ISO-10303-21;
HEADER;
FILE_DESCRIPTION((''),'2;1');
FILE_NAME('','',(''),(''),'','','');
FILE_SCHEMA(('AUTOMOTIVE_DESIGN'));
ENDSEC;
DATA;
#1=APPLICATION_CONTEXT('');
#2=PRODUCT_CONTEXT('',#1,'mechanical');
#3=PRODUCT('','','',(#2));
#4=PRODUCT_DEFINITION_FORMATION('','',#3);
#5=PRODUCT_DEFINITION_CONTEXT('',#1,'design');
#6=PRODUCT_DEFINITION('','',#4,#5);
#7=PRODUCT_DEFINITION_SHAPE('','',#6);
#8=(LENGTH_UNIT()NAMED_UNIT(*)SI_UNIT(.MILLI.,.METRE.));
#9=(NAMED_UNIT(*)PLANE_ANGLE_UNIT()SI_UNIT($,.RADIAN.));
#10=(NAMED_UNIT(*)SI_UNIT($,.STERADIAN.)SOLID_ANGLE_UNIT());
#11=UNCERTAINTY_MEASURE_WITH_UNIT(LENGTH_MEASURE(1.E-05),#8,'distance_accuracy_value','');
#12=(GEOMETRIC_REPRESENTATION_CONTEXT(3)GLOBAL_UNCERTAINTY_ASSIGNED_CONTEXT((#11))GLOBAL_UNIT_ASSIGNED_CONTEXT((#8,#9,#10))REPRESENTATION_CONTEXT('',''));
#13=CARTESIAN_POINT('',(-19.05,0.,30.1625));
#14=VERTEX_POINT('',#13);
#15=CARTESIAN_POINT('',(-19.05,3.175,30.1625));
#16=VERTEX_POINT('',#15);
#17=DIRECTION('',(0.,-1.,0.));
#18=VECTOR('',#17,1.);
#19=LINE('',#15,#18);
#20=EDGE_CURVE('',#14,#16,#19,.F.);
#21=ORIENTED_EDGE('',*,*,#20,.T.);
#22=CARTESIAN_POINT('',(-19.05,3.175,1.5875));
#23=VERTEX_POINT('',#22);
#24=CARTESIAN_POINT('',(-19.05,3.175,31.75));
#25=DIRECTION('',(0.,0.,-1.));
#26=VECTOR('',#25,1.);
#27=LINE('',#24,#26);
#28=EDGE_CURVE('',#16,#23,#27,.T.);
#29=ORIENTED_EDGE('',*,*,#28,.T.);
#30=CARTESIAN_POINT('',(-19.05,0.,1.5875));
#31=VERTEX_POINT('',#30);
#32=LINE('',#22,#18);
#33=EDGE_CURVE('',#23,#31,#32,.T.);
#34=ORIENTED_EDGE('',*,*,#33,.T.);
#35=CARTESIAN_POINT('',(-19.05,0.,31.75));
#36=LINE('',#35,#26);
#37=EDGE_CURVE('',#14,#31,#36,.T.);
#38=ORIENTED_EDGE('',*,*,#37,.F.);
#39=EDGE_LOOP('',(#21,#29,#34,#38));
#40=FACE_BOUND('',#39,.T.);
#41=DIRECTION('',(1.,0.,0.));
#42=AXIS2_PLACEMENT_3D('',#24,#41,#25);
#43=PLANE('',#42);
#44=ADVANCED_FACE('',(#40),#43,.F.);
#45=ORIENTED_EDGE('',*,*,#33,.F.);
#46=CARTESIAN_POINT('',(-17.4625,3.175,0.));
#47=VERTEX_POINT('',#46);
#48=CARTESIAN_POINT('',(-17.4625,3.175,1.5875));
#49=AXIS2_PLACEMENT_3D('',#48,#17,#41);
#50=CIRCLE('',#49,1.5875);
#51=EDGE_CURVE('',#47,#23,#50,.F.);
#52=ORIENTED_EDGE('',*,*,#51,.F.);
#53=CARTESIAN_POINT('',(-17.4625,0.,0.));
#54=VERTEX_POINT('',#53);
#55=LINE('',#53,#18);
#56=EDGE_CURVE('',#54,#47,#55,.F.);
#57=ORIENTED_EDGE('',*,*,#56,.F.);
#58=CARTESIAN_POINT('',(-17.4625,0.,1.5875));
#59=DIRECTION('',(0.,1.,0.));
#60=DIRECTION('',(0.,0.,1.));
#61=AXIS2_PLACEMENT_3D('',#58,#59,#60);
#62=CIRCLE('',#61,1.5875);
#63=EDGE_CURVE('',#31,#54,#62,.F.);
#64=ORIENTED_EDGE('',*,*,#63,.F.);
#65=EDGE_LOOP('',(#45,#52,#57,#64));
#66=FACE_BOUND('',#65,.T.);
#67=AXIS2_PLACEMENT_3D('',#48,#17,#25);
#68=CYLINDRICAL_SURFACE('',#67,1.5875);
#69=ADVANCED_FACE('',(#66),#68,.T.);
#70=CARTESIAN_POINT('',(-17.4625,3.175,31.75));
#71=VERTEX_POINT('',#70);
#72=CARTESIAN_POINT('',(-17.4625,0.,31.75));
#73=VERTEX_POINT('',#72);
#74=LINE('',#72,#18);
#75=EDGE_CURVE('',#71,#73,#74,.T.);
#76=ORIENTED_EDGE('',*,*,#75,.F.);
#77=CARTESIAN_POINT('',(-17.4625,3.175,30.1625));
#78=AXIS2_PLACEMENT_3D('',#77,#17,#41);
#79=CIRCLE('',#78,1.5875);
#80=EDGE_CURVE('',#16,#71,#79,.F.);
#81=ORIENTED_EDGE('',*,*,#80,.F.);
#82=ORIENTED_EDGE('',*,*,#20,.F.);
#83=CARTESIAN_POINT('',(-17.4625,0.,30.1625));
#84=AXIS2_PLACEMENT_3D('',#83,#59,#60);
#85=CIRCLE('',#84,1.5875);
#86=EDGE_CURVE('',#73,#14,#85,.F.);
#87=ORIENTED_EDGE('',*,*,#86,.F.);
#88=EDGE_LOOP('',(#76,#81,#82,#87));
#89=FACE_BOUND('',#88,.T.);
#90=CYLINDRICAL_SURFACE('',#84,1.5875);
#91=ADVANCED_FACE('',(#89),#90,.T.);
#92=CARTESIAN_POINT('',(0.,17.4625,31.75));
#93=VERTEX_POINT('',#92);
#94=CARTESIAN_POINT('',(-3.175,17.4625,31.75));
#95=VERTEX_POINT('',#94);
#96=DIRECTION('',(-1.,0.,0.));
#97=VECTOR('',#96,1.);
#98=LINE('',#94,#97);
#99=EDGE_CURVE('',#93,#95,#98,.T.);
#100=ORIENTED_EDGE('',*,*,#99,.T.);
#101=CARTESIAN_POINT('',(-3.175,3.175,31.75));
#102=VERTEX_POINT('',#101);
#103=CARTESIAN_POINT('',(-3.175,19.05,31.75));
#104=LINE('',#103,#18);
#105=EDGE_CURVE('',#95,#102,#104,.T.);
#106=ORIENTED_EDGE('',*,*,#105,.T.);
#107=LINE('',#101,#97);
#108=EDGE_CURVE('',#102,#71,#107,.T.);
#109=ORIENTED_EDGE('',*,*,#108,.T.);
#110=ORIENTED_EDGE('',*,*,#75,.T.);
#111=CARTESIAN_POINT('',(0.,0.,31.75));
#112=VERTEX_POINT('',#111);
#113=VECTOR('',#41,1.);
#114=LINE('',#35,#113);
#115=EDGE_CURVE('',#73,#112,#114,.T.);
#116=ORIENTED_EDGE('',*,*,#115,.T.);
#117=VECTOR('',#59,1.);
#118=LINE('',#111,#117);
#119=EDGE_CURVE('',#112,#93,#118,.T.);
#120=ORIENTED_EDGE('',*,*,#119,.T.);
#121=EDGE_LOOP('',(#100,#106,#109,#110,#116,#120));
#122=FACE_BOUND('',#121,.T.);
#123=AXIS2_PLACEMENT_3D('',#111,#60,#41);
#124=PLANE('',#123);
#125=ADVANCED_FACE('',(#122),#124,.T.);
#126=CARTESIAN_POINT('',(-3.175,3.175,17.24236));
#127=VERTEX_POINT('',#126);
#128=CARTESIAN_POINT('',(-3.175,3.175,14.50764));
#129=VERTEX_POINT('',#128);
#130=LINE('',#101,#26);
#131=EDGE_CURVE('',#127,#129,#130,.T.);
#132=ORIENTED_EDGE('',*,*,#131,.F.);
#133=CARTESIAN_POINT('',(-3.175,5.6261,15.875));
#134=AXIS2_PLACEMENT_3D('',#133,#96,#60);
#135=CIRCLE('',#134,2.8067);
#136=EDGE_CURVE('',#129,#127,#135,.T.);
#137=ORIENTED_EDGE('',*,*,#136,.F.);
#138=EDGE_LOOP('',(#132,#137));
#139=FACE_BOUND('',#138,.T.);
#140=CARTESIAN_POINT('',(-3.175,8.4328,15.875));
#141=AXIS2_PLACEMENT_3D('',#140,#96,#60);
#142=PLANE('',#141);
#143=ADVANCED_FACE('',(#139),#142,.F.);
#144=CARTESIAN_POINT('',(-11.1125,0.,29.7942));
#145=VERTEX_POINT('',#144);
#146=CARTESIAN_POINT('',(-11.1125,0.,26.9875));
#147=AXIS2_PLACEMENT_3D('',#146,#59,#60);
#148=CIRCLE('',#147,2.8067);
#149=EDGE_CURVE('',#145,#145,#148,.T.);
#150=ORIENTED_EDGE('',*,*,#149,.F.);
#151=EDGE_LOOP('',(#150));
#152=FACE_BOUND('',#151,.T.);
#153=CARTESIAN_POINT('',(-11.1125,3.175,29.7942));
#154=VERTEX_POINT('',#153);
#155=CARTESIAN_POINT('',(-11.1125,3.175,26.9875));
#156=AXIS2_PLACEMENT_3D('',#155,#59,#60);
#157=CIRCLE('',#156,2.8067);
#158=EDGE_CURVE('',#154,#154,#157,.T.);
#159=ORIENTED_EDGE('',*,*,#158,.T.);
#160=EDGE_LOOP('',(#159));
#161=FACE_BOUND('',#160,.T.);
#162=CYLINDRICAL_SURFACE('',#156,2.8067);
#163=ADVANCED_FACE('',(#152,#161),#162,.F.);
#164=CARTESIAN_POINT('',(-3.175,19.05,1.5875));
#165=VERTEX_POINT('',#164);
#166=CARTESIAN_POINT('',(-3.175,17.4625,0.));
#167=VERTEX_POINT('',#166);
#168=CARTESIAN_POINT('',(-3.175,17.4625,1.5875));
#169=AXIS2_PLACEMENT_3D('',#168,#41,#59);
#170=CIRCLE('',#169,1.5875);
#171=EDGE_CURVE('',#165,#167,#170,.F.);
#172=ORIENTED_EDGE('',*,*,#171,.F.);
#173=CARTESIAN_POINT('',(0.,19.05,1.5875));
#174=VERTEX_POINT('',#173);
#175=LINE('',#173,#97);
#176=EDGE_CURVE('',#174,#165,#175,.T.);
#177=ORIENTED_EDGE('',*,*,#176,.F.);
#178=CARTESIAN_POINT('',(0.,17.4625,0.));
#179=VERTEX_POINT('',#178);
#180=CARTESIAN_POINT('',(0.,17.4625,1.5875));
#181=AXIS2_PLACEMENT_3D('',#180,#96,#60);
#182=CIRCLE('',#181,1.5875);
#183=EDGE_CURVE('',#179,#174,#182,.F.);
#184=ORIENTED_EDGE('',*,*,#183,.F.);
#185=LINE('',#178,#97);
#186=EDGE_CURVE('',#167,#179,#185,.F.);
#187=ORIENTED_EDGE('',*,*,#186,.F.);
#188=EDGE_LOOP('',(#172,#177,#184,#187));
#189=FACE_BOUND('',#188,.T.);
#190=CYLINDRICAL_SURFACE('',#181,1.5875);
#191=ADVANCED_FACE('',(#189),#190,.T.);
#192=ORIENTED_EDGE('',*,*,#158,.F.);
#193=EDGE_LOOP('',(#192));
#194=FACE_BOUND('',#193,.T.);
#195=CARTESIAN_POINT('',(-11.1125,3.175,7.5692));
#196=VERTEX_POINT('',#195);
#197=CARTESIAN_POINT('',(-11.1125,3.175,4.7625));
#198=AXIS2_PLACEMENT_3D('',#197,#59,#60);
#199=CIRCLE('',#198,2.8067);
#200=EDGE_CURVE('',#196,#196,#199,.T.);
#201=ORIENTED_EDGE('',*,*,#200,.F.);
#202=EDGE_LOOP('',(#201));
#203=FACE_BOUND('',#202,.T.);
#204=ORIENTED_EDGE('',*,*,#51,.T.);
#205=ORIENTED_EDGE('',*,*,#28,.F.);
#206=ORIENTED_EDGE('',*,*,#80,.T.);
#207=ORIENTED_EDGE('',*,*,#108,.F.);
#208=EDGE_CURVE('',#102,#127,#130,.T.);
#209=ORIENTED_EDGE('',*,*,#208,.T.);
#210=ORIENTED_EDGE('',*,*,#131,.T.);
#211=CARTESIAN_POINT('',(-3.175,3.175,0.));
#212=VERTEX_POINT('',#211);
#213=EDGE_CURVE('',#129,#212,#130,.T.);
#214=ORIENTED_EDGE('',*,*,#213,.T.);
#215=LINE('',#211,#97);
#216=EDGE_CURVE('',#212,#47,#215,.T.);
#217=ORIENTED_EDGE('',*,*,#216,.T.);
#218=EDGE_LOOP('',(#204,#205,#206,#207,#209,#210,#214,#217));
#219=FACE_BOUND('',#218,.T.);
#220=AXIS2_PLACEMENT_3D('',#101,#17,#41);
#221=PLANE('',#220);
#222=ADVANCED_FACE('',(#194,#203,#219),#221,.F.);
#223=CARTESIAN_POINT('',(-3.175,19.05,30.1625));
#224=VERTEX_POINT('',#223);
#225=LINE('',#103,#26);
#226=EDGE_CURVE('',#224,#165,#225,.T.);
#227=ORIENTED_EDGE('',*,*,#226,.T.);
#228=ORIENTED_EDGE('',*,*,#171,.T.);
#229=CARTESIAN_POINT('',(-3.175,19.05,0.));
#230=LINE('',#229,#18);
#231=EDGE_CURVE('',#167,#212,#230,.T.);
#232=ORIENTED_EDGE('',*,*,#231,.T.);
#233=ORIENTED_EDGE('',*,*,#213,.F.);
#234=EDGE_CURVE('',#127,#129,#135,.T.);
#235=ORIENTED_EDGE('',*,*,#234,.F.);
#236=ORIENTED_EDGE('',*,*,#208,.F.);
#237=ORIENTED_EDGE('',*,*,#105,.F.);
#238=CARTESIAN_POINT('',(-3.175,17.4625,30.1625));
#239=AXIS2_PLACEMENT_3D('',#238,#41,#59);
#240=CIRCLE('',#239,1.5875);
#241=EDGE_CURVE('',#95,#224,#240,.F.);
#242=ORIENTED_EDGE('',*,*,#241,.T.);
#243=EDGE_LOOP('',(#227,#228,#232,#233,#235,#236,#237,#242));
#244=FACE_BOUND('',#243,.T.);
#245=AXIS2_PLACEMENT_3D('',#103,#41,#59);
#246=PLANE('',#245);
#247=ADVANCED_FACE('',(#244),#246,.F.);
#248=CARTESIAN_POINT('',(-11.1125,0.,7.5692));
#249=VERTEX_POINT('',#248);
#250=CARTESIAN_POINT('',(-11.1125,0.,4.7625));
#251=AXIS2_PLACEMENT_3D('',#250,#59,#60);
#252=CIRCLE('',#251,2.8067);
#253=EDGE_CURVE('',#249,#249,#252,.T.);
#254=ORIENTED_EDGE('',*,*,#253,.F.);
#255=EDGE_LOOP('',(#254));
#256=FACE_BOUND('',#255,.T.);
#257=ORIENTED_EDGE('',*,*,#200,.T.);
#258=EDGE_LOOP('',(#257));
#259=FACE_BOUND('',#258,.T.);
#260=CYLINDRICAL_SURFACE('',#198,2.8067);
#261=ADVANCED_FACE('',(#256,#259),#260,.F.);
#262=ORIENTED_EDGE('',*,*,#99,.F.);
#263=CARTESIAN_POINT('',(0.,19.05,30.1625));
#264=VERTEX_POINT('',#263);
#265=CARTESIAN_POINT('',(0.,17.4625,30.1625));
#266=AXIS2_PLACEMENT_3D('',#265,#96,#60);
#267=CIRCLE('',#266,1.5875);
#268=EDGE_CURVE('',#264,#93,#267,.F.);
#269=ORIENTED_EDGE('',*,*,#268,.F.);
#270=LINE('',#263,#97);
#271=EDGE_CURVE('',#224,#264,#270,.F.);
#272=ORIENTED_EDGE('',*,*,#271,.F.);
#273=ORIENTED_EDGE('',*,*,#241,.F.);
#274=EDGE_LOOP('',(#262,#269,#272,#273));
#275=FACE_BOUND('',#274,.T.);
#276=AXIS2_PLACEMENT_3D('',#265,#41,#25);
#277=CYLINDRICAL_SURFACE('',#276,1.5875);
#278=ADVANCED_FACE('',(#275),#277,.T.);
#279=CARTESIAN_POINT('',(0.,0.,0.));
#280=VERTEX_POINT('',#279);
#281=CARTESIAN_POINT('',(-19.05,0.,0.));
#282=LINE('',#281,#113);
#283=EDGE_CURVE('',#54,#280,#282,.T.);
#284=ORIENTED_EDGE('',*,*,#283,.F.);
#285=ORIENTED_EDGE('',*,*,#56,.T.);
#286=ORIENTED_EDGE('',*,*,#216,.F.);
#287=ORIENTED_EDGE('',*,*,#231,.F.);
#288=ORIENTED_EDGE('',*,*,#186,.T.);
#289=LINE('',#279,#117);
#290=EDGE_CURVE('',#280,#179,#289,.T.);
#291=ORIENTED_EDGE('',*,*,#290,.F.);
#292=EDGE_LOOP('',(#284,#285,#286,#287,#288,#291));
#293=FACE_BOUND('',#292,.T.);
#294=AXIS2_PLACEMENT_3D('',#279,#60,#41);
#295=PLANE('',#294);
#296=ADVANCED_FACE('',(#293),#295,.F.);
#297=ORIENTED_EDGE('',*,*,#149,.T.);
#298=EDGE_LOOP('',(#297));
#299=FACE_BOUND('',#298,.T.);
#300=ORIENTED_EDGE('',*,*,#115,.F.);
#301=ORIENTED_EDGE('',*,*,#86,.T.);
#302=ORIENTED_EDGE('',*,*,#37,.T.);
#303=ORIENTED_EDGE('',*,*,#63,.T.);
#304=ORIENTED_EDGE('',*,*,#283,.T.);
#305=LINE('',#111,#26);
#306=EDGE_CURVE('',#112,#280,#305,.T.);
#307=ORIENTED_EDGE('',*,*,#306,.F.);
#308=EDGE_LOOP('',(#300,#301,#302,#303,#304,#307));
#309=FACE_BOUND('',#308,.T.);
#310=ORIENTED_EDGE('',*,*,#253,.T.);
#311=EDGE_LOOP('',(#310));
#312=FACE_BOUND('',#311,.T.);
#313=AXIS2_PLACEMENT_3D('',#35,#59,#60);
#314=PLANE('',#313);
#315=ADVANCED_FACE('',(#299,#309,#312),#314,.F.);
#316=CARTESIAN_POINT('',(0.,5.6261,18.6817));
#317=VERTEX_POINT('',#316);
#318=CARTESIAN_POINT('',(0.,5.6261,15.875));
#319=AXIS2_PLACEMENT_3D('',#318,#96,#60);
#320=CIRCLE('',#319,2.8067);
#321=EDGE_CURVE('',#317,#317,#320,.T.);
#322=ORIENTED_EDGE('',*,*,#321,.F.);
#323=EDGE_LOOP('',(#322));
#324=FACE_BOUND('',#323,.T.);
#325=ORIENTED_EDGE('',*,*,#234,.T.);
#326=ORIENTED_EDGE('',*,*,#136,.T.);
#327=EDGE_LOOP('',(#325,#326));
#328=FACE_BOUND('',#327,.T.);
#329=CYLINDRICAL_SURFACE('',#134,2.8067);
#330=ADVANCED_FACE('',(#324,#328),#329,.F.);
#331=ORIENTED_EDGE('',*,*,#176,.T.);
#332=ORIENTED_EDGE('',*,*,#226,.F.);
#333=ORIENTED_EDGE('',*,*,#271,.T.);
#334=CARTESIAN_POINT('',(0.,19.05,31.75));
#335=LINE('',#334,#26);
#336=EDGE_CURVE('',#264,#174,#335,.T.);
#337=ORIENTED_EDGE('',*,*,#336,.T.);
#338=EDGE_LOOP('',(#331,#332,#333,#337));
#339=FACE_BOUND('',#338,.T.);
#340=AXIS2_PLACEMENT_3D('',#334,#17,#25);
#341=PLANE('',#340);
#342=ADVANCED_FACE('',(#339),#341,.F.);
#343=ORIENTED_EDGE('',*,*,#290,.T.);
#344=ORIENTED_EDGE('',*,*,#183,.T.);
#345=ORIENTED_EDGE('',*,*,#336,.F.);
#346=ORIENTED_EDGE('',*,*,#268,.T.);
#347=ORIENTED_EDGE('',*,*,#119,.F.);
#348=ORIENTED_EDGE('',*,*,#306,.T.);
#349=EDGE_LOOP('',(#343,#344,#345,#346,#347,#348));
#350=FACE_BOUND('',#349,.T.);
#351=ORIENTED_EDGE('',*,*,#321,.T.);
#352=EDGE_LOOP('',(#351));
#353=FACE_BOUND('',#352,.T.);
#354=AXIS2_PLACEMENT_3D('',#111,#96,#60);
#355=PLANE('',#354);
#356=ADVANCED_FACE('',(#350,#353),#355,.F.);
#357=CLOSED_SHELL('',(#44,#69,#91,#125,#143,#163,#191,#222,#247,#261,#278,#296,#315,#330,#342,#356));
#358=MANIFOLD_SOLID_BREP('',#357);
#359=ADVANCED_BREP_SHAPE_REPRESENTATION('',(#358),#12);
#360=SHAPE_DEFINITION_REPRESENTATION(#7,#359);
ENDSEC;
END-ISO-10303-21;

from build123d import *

# Parameters (mm, degrees)
BOSS_EXTRUDE1_DEPTH        = 31.75
F_10_CLEARANCE_HOLE1_D     = 5.6134
F_10_CLEARANCE_HOLE1_DEPTH = 25.4
F_10_CLEARANCE_HOLE1_TIP   = 1.686435499
FILLET1_R                  = 1.5875


with BuildPart() as part:
    # Sketch1 → Boss-Extrude1 (new body)
    with BuildSketch(Plane.XY):
        Polygon((0, 0), (0, 19.05), (-3.175, 19.05), (-3.175, 3.175), (-19.05, 3.175), (-19.05, 0), align=None)
    extrude(amount=BOSS_EXTRUDE1_DEPTH)

    # #10 Clearance Hole1
    with Locations(Plane(origin=(0, 3.175, 0), x_dir=(1, 0, 0), z_dir=(0, 1, 0))):
        with Locations((-11.1125, -26.9875), (-11.1125, -4.7625)):
            Hole(F_10_CLEARANCE_HOLE1_D / 2, depth=F_10_CLEARANCE_HOLE1_DEPTH)
            with Locations((0, 0, -(F_10_CLEARANCE_HOLE1_DEPTH + F_10_CLEARANCE_HOLE1_TIP / 2))):  # 118° drill point
                Cone(0, F_10_CLEARANCE_HOLE1_D / 2, F_10_CLEARANCE_HOLE1_TIP, mode=Mode.SUBTRACT)

    # Sketch5 → #10 Clearance Hole2 (revolve, cut)
    with BuildSketch(Plane(origin=(-3.175, 5.6261, 15.875), x_dir=(0, 0, 1), z_dir=(0, 1, 0))):
        Polygon((0, 0), (0, 27.086435499), (2.8067, 25.4), (2.8067, 0), align=None)
    revolve(axis=Axis((-9.525, 5.6261, 15.875), (1, 0, 0)), mode=Mode.SUBTRACT)

    # Fillet1
    fillet1_edges = [part.edges().sort_by_distance(p)[0] for p in [
        (-1.5875, 19.05, 31.75),
        (-19.05, 1.5875, 31.75),
        (-19.05, 1.5875, 0),
        (-1.5875, 19.05, 0),
    ]]
    fillet(fillet1_edges, radius=FILLET1_R)


solid = part.part
